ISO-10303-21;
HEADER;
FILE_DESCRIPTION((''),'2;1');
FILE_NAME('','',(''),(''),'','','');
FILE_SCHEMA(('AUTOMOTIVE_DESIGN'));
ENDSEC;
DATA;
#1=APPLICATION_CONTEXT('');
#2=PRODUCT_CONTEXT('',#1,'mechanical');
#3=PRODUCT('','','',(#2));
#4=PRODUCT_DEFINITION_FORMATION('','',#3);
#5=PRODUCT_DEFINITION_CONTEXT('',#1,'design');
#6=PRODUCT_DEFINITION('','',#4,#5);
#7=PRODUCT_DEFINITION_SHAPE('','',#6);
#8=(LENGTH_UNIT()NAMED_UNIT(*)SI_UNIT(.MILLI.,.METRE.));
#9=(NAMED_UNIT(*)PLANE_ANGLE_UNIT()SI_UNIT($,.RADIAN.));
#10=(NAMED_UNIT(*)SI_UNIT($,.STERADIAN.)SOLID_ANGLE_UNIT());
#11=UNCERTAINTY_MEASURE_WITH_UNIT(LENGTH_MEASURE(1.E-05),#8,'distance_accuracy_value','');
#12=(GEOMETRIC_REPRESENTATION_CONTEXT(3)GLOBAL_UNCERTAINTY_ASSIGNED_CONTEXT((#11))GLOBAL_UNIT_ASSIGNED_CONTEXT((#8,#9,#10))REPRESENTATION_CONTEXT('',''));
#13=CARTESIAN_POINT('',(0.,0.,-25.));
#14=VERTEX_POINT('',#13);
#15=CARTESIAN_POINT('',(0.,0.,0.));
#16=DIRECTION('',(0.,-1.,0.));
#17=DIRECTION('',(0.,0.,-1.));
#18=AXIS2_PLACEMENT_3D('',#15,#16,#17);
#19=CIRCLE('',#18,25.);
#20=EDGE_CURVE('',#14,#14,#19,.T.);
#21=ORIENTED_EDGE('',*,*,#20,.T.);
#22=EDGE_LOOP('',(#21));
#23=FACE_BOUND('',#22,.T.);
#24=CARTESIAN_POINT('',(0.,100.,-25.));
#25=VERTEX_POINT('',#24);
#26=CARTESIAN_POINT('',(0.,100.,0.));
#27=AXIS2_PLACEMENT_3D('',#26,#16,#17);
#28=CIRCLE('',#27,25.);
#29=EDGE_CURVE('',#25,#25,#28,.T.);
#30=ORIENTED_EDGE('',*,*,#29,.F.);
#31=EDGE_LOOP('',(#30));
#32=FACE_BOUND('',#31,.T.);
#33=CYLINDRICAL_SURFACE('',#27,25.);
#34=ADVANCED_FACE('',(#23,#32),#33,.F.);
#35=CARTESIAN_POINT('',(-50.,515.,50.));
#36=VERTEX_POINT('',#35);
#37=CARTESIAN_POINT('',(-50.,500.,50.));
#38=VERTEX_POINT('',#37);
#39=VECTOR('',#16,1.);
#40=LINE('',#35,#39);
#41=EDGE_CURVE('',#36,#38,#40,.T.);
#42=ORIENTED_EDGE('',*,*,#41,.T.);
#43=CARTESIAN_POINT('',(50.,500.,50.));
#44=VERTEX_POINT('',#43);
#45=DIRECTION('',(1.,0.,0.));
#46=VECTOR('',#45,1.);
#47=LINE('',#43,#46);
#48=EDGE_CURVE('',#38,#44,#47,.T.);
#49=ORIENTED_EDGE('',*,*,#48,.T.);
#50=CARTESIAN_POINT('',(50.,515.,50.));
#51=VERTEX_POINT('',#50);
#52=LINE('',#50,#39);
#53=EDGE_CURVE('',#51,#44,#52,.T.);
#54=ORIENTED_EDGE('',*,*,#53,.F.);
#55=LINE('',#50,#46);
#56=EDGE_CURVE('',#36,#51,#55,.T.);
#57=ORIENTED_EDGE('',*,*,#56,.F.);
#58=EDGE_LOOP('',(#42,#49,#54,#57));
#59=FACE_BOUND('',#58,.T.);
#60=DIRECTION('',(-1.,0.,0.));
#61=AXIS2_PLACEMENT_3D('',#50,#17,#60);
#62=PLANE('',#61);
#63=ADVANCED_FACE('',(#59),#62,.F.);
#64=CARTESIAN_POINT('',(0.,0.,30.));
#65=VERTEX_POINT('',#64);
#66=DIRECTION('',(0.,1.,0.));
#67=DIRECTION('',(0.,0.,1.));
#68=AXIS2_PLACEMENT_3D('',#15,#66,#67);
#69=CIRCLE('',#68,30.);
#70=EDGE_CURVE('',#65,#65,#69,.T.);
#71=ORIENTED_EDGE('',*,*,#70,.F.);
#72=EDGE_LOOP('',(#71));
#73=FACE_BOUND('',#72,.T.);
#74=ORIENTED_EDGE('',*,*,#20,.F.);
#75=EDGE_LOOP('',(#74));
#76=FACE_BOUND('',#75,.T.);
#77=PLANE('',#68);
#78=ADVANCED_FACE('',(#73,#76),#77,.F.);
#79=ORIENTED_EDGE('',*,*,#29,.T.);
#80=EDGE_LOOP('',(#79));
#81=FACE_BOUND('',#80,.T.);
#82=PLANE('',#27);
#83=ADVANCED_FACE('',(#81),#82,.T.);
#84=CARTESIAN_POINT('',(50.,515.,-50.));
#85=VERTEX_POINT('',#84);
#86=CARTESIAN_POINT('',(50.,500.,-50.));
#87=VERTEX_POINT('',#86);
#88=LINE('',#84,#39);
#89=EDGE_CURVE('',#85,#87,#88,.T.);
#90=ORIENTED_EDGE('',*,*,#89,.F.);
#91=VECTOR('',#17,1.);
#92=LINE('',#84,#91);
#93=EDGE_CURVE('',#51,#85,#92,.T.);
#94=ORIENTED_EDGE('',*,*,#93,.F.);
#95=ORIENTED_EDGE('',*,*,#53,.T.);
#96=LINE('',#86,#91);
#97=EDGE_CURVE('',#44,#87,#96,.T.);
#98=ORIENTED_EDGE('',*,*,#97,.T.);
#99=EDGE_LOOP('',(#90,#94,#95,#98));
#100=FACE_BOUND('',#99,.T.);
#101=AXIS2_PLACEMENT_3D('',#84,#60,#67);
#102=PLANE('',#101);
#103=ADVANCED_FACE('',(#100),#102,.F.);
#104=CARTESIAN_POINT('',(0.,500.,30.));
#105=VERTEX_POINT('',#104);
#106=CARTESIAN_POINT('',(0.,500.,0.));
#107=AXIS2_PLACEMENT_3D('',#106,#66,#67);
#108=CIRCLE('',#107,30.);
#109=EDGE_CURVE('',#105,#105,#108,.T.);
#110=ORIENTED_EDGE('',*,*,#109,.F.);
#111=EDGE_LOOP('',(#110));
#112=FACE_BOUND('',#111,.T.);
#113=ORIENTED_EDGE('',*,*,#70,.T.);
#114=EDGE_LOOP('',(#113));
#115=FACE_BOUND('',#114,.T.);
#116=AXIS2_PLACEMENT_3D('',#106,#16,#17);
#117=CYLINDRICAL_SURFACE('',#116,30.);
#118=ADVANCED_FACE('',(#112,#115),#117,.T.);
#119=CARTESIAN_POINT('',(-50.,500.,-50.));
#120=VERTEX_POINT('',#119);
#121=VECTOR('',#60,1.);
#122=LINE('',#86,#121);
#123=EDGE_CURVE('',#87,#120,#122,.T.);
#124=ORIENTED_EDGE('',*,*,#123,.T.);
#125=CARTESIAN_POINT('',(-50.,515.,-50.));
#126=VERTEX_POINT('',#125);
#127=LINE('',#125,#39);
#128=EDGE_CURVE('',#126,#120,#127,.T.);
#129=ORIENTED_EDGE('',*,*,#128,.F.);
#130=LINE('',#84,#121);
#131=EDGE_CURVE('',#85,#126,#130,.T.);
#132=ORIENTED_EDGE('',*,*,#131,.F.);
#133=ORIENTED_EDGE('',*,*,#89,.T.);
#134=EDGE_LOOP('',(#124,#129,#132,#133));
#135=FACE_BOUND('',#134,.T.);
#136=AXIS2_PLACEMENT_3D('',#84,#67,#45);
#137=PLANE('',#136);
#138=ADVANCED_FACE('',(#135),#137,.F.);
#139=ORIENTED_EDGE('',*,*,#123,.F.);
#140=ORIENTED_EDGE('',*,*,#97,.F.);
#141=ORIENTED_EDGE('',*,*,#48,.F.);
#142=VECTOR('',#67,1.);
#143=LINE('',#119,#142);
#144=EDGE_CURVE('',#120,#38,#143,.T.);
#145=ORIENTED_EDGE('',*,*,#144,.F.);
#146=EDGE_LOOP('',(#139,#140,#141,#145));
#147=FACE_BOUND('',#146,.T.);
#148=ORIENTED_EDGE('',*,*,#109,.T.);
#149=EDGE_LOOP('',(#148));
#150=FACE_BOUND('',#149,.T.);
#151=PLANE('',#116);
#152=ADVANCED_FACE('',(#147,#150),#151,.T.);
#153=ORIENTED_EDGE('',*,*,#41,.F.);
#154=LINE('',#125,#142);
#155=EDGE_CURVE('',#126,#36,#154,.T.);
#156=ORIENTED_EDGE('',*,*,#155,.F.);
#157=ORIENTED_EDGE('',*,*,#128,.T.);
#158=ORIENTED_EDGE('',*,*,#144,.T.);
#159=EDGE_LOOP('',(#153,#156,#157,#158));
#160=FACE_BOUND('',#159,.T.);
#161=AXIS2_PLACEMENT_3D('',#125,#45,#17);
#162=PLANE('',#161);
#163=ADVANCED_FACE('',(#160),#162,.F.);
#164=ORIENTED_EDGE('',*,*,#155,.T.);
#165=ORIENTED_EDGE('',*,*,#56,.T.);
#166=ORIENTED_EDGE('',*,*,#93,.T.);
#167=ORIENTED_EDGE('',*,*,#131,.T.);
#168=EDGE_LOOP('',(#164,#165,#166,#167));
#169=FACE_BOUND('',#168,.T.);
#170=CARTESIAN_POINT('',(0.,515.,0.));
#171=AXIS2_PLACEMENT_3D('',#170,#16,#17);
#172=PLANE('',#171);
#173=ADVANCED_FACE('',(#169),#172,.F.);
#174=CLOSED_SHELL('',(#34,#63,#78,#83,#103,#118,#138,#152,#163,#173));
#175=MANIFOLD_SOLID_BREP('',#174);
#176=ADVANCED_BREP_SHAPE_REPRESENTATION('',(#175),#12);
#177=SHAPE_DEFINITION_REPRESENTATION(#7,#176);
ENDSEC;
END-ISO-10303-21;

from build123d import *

# Parameters (mm, degrees)
SKETCH1_R           = 30
BOSS_EXTRUDE1_DEPTH = 500
SKETCH2_R           = 25
CUT_EXTRUDE1_DEPTH  = 100
SKETCH3_W           = 100
SKETCH3_H           = 100
BOSS_EXTRUDE2_DEPTH = 15


with BuildPart() as part:
    # Sketch1 → Boss-Extrude1 (new body)
    with BuildSketch(Plane(origin=(0, 0, 0), x_dir=(1, 0, 0), z_dir=(0, 1, 0))):
        with Locations(Location((0, 0, 0), (0, 0, 270))):
            Circle(SKETCH1_R)
    extrude(amount=BOSS_EXTRUDE1_DEPTH)

    # Sketch2 → Cut-Extrude1 (cut)
    with BuildSketch(Plane(origin=(0, 0, 0), x_dir=(-1, 0, 0), z_dir=(0, -1, 0))):
        with Locations(Location((0, 0, 0), (0, 0, 90))):
            Circle(SKETCH2_R)
    extrude(amount=-CUT_EXTRUDE1_DEPTH, mode=Mode.SUBTRACT)

    # Sketch3 → Boss-Extrude2 (add)
    with BuildSketch(Plane(origin=(0, 500, 0), x_dir=(1, 0, 0), z_dir=(0, 1, 0))):
        Rectangle(SKETCH3_W, SKETCH3_H)
    extrude(amount=BOSS_EXTRUDE2_DEPTH)


solid = part.part
